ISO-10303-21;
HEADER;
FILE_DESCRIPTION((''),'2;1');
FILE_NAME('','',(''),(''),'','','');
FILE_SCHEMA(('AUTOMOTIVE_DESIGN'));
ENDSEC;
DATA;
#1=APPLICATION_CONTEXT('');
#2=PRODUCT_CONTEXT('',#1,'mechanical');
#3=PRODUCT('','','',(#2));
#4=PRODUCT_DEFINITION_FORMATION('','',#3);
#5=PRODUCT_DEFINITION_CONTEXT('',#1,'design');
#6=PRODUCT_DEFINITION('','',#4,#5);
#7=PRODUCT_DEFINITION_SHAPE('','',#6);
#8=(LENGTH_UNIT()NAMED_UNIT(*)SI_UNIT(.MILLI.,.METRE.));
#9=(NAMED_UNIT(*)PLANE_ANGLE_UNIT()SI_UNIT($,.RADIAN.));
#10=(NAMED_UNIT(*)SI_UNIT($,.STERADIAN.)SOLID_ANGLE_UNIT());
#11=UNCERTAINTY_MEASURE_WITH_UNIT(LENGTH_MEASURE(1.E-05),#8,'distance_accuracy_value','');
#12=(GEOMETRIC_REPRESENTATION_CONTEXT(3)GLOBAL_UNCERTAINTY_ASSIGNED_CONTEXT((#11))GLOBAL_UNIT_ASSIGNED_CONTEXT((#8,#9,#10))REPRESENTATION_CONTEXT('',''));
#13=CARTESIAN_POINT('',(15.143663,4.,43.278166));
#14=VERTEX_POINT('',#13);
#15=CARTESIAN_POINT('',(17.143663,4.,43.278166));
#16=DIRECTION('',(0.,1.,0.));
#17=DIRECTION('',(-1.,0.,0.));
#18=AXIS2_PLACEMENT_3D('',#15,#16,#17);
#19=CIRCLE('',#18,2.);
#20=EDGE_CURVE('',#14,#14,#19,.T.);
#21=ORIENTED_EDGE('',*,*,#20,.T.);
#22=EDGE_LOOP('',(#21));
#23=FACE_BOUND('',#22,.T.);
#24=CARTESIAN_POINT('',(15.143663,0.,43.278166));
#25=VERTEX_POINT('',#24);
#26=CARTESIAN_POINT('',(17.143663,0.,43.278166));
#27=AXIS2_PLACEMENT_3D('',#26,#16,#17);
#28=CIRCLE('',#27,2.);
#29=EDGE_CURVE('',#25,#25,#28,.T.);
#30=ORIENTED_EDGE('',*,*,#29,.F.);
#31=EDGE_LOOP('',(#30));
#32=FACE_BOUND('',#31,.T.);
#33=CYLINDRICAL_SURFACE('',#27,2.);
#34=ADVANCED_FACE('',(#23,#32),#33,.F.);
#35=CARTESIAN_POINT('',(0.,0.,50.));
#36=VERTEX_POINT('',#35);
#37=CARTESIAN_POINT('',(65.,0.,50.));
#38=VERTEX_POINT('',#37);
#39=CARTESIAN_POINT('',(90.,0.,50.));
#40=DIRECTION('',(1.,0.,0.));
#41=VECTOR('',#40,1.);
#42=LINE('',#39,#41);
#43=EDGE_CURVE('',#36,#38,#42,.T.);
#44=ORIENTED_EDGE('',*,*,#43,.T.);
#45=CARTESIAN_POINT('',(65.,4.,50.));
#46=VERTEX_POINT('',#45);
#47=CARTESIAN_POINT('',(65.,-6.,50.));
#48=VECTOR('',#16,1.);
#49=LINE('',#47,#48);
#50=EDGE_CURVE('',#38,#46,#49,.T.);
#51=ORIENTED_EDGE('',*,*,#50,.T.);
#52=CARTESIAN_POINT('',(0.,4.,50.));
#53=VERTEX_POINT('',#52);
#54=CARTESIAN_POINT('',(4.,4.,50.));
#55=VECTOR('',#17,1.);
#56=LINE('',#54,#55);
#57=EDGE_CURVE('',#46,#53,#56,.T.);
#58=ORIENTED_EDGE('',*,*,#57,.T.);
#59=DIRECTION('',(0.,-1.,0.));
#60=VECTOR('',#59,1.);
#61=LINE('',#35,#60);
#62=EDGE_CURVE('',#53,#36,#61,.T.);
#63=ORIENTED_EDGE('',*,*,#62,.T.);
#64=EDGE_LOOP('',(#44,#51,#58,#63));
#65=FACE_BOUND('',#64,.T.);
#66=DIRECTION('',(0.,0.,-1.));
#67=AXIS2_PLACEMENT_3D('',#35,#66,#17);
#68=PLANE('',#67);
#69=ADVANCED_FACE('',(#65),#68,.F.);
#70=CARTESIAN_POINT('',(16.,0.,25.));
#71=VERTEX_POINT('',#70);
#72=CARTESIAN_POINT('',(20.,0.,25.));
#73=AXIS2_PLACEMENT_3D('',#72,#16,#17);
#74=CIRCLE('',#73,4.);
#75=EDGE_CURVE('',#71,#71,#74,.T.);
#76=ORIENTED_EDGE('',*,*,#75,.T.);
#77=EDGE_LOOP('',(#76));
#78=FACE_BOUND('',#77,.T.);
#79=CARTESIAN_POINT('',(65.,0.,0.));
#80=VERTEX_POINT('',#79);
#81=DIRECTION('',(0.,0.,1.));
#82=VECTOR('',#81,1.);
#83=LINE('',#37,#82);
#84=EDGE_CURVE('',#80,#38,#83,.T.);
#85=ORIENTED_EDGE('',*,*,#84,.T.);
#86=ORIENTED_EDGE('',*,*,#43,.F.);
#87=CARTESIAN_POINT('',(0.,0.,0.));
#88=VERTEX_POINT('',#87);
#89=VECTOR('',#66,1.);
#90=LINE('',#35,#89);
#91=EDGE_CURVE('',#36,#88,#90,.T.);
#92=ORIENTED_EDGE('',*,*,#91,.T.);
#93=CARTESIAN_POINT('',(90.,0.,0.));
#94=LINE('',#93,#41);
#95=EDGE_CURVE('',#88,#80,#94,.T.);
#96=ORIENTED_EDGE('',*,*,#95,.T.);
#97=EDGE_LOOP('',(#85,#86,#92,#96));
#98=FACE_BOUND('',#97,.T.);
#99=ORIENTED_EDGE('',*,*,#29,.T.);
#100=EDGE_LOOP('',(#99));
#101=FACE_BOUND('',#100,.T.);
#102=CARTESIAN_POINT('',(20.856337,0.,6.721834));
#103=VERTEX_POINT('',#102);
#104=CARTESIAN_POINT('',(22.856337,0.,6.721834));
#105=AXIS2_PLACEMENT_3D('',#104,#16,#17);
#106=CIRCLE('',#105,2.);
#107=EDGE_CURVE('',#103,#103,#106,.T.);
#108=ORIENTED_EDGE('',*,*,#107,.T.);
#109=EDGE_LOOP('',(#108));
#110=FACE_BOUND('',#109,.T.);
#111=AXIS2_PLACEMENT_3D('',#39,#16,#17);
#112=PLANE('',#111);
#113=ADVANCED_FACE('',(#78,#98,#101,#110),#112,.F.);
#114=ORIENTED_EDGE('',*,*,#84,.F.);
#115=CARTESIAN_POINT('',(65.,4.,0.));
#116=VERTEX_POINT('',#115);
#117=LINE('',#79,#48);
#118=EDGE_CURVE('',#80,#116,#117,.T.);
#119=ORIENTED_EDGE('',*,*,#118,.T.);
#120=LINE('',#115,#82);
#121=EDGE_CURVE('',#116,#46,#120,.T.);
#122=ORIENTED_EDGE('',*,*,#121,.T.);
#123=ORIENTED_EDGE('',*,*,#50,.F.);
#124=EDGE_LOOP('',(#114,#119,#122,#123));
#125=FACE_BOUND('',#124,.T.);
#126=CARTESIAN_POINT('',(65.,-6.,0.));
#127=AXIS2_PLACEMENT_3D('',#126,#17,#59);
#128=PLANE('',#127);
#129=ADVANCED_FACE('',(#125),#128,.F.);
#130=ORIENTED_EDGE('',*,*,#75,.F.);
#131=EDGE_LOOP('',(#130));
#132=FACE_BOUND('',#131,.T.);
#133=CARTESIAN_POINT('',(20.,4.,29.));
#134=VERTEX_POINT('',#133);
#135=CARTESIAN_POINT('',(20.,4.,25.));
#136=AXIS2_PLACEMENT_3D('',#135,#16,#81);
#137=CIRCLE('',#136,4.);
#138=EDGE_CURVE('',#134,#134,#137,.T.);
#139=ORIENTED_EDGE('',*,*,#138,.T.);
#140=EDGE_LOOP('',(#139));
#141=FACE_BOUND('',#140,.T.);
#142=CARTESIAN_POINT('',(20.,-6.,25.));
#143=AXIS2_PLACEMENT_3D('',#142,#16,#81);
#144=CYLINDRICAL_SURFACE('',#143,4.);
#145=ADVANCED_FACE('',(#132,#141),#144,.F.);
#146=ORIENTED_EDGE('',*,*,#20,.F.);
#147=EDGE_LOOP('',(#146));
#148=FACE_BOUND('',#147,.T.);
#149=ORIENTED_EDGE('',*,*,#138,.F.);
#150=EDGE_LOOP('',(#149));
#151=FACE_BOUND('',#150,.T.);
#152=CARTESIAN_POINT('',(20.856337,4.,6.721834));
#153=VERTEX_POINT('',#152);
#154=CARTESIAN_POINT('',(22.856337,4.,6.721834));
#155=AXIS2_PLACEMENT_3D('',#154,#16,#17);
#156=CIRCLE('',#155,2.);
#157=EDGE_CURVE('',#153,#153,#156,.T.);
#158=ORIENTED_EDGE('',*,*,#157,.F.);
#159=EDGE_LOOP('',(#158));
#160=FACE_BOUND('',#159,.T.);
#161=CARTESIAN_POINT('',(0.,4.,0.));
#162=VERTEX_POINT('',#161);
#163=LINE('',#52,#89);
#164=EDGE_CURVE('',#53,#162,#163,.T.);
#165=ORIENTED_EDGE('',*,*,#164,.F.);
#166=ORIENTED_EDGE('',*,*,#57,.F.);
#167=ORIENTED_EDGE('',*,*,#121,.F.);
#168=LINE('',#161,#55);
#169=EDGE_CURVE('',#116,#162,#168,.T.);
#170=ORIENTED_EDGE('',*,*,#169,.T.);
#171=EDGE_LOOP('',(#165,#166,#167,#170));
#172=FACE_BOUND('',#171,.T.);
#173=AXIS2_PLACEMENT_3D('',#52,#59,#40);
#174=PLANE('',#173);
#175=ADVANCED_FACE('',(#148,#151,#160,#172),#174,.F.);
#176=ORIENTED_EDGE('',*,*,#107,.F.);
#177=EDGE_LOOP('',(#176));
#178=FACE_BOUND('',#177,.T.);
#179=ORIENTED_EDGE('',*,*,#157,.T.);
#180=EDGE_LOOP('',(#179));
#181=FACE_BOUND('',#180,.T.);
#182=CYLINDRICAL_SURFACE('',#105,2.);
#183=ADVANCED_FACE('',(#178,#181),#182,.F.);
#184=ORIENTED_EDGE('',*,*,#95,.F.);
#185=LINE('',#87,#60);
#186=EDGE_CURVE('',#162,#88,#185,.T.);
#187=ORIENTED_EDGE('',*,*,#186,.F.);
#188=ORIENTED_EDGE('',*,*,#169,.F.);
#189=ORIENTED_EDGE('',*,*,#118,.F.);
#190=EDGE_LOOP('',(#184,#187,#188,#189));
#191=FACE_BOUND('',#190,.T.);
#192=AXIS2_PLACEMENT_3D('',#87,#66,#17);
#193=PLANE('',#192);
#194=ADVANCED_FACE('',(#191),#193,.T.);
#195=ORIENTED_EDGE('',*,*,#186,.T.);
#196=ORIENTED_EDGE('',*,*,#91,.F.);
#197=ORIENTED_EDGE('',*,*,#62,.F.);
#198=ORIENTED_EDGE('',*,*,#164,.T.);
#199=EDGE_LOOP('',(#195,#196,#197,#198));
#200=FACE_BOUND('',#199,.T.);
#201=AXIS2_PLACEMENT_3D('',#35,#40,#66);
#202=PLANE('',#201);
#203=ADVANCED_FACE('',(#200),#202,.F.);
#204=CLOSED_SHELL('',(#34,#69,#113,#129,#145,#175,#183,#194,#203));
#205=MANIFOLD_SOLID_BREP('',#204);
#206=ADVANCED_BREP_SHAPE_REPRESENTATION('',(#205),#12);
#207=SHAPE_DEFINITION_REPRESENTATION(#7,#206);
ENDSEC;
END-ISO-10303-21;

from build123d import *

# Parameters (mm, degrees)
BOSS_EXTRUDE1_DEPTH = 50
SKETCH3_R           = 4
CUT_EXTRUDE1_DEPTH  = 10
SKETCH4_W           = 25
SKETCH4_H           = 50
CUT_EXTRUDE2_DEPTH  = 10
SKETCH6_R           = 2
CUT_EXTRUDE4_DEPTH  = 83.1035931


with BuildPart() as part:
    # Sketch2 → Boss-Extrude1 (new body)
    with BuildSketch(Plane.XY):
        Polygon((4, 4), (90, 4), (90, 0), (0, 0), (0, 4), align=None)
    extrude(amount=BOSS_EXTRUDE1_DEPTH)

    # Sketch3 → Cut-Extrude1 (cut)
    with BuildSketch(Plane(origin=(0, 4, 0), x_dir=(1, 0, 0), z_dir=(0, 1, 0))):
        with Locations(Location((20, -25, 0), (0, 0, 270))):
            Circle(SKETCH3_R)
    extrude(amount=-CUT_EXTRUDE1_DEPTH, mode=Mode.SUBTRACT)

    # Sketch4 → Cut-Extrude2 (cut)
    with BuildSketch(Plane(origin=(0, 4, 0), x_dir=(1, 0, 0), z_dir=(0, 1, 0))):
        with Locations((77.5, -25)):
            Rectangle(SKETCH4_W, SKETCH4_H)
    extrude(amount=-CUT_EXTRUDE2_DEPTH, mode=Mode.SUBTRACT)

    # Sketch6 → Cut-Extrude4 (cut, through all)
    with BuildSketch(Plane(origin=(0, 4, 0), x_dir=(1, 0, 0), z_dir=(0, 1, 0))):
        with Locations(Location((17.143662574, -43.278165567, 0), (0, 0, 180))):
            Circle(SKETCH6_R)
        with Locations(Location((22.856337427, -6.721834433, 0), (0, 0, 180))):
            Circle(SKETCH6_R)
    extrude(amount=-CUT_EXTRUDE4_DEPTH, mode=Mode.SUBTRACT)


solid = part.part
